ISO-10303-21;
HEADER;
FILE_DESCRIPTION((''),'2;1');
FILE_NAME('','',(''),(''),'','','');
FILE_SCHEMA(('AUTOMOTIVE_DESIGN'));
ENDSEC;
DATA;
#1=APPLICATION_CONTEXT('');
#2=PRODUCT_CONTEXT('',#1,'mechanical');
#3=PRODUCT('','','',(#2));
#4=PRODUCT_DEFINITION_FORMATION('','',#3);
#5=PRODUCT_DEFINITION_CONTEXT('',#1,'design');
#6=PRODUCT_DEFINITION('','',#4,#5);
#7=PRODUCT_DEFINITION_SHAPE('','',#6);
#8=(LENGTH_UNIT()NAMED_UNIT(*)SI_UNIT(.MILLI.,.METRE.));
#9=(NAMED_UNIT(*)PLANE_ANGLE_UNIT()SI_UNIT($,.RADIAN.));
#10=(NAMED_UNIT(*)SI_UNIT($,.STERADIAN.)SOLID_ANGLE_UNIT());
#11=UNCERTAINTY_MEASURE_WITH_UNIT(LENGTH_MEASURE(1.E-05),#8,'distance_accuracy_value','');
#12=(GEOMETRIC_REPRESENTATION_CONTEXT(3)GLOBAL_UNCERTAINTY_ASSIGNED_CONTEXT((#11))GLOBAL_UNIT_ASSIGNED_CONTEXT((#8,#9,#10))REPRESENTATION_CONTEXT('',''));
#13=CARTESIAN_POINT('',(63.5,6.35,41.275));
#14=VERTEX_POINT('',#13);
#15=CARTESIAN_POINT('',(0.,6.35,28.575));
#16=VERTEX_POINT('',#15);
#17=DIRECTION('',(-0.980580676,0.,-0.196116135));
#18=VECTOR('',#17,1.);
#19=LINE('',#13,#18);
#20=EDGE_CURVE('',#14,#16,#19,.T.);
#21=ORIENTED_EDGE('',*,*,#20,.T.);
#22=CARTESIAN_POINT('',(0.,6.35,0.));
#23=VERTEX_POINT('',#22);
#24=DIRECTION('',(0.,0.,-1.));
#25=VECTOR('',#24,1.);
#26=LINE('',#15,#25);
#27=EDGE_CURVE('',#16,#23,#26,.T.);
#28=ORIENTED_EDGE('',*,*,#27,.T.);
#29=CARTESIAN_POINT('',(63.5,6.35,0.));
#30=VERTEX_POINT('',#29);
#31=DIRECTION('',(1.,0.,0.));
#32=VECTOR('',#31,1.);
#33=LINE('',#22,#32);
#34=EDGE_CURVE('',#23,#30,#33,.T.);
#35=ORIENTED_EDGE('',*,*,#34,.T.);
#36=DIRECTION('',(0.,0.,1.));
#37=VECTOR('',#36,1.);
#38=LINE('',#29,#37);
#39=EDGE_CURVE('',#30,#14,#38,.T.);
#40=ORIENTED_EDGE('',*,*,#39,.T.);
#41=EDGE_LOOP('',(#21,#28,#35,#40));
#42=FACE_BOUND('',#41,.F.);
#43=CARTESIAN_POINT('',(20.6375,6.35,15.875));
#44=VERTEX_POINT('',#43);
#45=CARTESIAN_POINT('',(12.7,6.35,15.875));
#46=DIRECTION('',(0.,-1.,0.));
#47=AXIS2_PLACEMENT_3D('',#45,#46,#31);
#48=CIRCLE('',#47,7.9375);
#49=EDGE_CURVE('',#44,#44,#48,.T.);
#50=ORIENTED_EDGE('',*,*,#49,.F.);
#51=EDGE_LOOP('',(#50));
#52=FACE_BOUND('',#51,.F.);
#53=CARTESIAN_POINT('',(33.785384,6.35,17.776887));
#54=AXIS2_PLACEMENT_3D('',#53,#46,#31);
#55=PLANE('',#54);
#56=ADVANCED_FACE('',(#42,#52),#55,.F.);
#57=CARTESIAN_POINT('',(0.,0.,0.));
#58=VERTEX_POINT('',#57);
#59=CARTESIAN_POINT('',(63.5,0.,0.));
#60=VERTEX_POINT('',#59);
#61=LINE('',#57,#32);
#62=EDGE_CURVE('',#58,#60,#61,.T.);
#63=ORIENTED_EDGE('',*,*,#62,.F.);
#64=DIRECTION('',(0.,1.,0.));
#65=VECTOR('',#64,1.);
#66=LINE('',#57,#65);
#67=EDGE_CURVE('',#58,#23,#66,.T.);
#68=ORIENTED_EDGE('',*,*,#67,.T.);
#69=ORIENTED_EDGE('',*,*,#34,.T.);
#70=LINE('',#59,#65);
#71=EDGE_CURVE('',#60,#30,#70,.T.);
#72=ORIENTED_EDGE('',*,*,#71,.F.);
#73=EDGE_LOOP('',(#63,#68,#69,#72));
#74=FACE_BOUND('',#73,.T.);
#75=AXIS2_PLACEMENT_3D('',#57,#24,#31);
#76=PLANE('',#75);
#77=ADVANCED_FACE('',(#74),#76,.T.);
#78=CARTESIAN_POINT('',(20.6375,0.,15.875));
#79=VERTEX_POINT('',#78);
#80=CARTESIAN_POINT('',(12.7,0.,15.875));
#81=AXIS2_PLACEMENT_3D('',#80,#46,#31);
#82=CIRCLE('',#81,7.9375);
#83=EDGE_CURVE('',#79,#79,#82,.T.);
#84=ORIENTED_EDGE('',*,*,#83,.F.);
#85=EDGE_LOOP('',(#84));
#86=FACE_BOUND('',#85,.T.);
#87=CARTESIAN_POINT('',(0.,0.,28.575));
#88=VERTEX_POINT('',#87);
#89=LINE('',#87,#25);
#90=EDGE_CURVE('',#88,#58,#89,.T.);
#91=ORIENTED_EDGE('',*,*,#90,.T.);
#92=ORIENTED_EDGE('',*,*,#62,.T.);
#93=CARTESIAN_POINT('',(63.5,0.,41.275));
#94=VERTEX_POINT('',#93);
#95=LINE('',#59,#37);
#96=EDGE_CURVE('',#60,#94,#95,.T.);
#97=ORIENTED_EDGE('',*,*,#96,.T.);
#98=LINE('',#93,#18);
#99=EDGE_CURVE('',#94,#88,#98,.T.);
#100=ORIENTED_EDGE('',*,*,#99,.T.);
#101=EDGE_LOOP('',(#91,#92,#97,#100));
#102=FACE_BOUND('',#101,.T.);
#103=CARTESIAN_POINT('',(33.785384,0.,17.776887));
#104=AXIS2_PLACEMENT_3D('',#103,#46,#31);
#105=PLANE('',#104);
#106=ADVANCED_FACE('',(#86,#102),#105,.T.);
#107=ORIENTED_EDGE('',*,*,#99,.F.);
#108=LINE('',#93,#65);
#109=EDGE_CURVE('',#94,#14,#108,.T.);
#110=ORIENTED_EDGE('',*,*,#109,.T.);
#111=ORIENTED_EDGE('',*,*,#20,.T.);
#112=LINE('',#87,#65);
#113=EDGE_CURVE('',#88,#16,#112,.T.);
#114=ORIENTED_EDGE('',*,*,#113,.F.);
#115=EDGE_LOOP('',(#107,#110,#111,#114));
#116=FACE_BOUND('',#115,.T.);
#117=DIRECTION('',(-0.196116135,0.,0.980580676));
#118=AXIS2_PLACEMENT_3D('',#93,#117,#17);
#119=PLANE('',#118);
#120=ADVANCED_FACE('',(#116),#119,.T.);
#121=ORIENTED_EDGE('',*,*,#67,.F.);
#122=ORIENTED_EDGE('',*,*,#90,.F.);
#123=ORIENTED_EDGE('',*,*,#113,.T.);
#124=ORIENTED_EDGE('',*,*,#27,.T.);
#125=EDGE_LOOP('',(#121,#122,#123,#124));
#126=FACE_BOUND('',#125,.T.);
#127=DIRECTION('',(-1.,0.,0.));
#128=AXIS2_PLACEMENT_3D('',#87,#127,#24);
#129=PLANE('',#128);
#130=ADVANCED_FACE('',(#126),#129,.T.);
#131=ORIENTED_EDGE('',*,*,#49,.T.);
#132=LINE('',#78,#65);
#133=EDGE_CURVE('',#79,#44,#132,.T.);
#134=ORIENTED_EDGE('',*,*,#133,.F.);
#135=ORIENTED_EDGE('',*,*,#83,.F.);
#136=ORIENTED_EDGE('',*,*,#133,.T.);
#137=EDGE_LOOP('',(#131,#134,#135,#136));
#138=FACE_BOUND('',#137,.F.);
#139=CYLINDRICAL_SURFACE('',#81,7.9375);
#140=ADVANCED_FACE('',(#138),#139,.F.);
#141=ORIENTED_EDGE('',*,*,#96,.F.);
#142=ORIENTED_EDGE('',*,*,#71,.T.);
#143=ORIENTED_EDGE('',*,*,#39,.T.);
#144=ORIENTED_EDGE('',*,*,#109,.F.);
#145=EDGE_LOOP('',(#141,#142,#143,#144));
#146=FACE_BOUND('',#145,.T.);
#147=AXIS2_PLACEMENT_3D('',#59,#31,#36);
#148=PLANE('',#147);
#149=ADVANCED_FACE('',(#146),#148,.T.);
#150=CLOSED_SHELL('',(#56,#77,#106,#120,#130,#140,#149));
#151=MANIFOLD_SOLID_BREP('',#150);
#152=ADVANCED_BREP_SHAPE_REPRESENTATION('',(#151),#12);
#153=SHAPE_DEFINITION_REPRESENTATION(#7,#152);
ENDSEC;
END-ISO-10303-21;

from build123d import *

# Parameters (mm, degrees)
F0_R     = 7.9375
F1_DEPTH = 6.35


with BuildPart() as f1:
    # F0 (on Front) → F1 (new body)
    with BuildSketch(Plane.XZ):
        Polygon((63.5, 0), (63.5, 41.275), (0, 28.575), (0, 0), align=None)
        with Locations((12.7, 15.875)):
            Circle(F0_R, mode=Mode.SUBTRACT)
    extrude(amount=-F1_DEPTH)


solid = f1.part
